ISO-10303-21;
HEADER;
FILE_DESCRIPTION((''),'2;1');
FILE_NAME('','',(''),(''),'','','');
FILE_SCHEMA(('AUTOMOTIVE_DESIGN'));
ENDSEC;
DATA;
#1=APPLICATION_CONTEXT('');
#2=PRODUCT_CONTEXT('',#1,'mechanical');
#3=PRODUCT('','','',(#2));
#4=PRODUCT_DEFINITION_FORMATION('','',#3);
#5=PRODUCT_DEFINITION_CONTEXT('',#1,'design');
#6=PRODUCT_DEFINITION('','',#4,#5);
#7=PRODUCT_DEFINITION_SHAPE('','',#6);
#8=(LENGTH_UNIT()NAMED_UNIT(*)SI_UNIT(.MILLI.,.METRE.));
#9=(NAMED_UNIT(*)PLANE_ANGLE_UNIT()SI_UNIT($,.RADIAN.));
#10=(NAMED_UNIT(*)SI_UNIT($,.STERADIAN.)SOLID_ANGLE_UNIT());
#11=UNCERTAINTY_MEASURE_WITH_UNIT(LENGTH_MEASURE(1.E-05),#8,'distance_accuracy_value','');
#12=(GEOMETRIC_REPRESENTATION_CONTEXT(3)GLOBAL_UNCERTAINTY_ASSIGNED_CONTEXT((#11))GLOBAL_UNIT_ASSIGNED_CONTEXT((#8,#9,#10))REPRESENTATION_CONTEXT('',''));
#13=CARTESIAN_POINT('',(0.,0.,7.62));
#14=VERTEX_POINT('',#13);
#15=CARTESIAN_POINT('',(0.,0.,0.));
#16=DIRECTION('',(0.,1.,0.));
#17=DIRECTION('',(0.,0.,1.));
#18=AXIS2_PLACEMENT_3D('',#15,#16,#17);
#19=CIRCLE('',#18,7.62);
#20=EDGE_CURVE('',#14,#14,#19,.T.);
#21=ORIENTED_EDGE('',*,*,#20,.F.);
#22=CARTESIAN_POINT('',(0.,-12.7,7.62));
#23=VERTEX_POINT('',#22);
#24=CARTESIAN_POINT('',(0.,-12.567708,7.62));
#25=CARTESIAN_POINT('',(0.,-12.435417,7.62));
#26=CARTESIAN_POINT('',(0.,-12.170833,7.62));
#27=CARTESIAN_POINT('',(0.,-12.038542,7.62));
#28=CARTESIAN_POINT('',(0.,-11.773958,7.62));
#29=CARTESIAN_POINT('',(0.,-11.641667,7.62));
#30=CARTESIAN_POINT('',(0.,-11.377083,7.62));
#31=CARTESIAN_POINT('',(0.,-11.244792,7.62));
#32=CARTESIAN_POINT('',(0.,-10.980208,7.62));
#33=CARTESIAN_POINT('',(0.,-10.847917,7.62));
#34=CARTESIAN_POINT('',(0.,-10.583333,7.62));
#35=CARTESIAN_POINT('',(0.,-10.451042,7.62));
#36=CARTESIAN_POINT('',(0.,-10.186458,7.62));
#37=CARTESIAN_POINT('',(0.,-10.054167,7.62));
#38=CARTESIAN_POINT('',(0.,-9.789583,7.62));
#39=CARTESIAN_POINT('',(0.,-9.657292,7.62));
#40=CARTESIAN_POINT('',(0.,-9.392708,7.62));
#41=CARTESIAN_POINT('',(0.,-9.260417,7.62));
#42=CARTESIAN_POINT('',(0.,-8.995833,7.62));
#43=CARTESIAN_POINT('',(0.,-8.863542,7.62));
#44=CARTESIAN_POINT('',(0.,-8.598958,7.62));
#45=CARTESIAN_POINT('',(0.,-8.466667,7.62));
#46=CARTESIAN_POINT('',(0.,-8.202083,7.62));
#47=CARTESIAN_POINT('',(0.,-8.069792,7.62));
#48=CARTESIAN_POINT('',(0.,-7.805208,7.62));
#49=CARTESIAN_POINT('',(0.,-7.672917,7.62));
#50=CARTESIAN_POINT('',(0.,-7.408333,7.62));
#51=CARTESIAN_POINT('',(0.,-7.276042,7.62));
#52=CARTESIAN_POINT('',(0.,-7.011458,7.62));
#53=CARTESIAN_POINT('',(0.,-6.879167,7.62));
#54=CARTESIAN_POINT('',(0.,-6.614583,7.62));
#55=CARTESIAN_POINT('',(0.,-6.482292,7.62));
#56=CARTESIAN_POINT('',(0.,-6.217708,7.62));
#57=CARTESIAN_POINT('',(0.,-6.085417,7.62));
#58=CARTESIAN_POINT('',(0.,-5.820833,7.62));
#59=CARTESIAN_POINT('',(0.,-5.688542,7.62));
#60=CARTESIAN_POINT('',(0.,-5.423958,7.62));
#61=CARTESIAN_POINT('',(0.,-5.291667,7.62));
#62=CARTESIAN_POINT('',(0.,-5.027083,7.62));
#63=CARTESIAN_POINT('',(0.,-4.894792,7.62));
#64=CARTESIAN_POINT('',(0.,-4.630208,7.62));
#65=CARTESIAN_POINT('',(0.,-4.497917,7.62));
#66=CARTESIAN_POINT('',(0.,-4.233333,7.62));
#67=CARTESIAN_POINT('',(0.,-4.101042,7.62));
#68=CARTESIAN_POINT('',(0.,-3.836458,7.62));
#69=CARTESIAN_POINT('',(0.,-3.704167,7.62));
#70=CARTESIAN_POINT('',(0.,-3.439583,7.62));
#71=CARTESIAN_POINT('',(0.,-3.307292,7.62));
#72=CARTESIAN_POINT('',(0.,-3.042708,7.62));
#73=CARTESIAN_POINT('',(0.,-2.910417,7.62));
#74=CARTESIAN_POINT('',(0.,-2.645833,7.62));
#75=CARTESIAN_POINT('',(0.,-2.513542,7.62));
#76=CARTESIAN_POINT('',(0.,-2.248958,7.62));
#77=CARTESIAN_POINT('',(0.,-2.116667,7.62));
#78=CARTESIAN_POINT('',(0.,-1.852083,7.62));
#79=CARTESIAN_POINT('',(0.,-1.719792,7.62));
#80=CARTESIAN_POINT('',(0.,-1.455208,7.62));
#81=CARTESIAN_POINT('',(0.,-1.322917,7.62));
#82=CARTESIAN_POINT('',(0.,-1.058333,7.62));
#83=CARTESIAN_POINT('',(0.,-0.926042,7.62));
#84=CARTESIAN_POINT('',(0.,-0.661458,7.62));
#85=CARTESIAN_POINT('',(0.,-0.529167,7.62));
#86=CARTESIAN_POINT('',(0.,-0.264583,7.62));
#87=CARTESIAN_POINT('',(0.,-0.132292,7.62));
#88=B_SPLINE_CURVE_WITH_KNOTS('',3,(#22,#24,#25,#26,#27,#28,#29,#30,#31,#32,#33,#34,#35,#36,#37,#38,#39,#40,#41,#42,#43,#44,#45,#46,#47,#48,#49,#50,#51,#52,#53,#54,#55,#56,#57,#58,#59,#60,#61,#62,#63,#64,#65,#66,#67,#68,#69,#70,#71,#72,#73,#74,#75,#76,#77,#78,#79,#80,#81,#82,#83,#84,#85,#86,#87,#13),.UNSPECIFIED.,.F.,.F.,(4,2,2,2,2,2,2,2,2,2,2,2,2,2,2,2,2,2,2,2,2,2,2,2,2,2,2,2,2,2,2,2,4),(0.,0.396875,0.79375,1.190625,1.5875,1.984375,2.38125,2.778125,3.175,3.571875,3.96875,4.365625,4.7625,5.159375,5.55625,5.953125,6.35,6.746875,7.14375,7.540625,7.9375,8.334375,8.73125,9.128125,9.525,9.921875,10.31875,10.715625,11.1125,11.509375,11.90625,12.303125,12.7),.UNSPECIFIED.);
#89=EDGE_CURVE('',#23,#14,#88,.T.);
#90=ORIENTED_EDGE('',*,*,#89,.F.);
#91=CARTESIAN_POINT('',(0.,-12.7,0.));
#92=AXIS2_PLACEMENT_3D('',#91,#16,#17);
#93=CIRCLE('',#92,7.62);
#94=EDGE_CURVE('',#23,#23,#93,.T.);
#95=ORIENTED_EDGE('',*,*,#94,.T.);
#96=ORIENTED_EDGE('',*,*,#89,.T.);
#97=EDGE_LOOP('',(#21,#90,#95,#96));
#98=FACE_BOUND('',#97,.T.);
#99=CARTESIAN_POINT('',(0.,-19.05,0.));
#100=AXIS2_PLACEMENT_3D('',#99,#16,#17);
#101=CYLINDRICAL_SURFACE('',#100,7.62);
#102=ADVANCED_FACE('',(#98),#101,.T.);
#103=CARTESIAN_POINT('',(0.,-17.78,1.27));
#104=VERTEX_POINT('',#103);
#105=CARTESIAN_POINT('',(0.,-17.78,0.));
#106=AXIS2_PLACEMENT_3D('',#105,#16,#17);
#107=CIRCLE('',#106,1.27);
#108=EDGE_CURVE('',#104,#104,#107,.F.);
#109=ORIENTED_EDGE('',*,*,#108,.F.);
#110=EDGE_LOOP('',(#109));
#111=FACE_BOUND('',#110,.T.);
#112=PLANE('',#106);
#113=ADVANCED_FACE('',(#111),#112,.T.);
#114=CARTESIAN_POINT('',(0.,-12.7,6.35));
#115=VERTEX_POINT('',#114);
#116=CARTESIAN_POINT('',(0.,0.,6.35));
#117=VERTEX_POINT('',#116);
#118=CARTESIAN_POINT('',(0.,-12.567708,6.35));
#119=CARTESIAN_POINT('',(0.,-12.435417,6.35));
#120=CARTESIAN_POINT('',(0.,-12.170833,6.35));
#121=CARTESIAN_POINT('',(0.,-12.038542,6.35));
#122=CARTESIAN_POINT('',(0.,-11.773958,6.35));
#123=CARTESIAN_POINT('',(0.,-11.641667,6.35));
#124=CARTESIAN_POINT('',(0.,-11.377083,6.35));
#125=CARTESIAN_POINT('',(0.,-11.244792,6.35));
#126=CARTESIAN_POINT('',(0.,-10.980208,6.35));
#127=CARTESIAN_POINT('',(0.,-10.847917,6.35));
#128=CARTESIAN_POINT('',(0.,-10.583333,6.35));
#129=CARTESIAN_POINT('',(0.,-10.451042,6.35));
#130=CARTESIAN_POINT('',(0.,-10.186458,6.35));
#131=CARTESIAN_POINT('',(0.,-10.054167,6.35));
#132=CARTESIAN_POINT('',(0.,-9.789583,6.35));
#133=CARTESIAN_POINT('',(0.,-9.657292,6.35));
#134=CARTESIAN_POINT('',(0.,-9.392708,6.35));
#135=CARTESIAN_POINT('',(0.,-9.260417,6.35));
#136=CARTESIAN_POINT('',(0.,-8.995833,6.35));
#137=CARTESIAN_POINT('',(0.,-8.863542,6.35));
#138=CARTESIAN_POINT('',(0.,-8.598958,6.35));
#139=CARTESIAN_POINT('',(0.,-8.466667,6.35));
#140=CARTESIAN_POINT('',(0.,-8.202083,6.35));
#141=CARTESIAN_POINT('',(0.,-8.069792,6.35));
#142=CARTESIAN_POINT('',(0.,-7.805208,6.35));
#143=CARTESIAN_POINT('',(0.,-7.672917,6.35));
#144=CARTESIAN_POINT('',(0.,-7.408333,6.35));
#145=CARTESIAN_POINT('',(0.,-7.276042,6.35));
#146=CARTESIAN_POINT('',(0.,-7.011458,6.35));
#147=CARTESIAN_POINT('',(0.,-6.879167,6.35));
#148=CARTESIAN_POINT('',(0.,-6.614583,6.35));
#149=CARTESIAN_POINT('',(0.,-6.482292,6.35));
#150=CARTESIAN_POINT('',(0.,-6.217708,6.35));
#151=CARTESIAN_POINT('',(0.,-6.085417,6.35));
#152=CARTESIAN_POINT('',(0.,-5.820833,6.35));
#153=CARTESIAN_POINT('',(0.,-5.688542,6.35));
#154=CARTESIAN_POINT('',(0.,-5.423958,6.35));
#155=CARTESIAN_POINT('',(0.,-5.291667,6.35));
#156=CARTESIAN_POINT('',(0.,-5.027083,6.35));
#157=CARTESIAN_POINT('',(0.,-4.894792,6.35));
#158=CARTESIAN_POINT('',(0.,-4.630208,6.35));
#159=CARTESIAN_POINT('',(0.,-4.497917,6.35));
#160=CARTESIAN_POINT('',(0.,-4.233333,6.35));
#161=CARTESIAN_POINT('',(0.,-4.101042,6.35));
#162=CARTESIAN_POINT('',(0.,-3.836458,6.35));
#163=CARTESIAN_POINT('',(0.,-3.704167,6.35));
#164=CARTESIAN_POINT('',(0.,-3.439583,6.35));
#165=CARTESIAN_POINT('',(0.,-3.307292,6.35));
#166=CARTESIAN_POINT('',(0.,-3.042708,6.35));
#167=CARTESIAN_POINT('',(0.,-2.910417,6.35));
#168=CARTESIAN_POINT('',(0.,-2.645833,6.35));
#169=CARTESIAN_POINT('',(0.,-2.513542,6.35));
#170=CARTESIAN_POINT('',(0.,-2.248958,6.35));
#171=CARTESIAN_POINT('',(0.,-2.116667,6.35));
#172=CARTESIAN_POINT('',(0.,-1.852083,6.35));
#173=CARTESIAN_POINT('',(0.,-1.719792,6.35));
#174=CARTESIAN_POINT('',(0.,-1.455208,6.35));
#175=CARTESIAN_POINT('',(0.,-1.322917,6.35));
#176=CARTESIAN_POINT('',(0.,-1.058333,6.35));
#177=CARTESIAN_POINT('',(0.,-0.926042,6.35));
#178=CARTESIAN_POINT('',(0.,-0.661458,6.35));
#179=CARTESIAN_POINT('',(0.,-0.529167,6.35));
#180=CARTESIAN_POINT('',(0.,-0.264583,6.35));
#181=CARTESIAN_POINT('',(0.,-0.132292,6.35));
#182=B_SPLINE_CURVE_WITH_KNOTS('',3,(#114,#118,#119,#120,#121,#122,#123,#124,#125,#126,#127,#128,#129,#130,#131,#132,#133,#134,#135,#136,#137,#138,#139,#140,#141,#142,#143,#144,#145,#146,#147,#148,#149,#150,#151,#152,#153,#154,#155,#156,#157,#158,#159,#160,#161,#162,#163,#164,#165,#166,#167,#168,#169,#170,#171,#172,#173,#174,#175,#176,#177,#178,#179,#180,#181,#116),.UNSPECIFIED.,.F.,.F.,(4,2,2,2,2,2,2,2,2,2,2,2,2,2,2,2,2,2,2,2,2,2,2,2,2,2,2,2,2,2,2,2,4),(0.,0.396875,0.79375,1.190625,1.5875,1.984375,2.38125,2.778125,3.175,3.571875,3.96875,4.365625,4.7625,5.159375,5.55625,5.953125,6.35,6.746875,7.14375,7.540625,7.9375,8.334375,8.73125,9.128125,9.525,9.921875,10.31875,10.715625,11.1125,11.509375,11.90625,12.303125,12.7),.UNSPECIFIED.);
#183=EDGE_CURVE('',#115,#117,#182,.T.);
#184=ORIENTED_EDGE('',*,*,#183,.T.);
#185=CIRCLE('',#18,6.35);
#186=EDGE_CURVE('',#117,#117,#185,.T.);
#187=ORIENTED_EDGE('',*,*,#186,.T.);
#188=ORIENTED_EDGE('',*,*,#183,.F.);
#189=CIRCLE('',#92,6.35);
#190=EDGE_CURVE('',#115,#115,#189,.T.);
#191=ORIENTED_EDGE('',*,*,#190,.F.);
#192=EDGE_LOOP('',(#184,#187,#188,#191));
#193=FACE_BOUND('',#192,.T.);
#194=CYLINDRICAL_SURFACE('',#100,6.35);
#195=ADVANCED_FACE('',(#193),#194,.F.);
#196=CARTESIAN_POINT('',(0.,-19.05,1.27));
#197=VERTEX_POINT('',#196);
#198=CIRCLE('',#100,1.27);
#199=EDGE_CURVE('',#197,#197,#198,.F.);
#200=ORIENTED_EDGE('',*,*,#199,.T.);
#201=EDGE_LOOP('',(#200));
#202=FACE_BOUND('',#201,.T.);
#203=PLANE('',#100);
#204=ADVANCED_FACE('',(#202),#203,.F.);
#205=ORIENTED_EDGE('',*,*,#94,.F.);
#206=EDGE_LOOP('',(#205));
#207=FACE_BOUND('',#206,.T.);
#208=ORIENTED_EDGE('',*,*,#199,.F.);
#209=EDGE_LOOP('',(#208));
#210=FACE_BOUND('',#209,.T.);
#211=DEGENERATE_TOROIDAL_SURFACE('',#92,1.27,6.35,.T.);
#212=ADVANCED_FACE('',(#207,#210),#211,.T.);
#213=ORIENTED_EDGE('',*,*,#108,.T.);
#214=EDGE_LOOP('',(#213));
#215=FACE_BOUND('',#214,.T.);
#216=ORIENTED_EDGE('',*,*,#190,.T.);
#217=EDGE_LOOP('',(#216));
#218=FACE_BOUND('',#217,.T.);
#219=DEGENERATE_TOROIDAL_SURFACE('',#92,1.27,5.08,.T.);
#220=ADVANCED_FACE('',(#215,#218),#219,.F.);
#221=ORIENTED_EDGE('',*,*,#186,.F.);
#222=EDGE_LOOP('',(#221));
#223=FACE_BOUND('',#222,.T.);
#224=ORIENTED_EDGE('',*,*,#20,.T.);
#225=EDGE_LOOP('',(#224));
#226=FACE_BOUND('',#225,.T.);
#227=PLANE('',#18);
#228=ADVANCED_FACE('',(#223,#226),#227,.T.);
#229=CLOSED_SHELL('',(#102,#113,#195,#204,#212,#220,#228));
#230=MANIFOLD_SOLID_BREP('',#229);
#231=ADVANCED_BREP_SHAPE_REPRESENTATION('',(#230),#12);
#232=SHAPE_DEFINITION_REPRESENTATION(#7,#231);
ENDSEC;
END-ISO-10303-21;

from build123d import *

# Parameters (mm, degrees)
SKETCH1_R           = 7.62
BOSS_EXTRUDE1_DEPTH = 19.05
FILLET1_R           = 6.35
SHELL1_T            = -1.27


with BuildPart() as part:
    # Sketch1 → Boss-Extrude1 (new body)
    with BuildSketch(Plane(origin=(0, 0, 0), x_dir=(1, 0, 0), z_dir=(0, 1, 0))):
        with Locations(Location((0, 0, 0), (0, 0, 270))):
            Circle(SKETCH1_R)
    extrude(amount=-BOSS_EXTRUDE1_DEPTH)

    # Fillet1
    fillet1_edges = [part.edges().sort_by_distance(p)[0] for p in [
        (0, -19.05, -7.62),
    ]]
    fillet(fillet1_edges, radius=FILLET1_R)

    # Shell1
    shell1_openings = [part.faces().sort_by_distance(p)[0] for p in [
        (0, 0, 0),
    ]]
    offset(amount=SHELL1_T, openings=shell1_openings, kind=Kind.INTERSECTION)


solid = part.part
